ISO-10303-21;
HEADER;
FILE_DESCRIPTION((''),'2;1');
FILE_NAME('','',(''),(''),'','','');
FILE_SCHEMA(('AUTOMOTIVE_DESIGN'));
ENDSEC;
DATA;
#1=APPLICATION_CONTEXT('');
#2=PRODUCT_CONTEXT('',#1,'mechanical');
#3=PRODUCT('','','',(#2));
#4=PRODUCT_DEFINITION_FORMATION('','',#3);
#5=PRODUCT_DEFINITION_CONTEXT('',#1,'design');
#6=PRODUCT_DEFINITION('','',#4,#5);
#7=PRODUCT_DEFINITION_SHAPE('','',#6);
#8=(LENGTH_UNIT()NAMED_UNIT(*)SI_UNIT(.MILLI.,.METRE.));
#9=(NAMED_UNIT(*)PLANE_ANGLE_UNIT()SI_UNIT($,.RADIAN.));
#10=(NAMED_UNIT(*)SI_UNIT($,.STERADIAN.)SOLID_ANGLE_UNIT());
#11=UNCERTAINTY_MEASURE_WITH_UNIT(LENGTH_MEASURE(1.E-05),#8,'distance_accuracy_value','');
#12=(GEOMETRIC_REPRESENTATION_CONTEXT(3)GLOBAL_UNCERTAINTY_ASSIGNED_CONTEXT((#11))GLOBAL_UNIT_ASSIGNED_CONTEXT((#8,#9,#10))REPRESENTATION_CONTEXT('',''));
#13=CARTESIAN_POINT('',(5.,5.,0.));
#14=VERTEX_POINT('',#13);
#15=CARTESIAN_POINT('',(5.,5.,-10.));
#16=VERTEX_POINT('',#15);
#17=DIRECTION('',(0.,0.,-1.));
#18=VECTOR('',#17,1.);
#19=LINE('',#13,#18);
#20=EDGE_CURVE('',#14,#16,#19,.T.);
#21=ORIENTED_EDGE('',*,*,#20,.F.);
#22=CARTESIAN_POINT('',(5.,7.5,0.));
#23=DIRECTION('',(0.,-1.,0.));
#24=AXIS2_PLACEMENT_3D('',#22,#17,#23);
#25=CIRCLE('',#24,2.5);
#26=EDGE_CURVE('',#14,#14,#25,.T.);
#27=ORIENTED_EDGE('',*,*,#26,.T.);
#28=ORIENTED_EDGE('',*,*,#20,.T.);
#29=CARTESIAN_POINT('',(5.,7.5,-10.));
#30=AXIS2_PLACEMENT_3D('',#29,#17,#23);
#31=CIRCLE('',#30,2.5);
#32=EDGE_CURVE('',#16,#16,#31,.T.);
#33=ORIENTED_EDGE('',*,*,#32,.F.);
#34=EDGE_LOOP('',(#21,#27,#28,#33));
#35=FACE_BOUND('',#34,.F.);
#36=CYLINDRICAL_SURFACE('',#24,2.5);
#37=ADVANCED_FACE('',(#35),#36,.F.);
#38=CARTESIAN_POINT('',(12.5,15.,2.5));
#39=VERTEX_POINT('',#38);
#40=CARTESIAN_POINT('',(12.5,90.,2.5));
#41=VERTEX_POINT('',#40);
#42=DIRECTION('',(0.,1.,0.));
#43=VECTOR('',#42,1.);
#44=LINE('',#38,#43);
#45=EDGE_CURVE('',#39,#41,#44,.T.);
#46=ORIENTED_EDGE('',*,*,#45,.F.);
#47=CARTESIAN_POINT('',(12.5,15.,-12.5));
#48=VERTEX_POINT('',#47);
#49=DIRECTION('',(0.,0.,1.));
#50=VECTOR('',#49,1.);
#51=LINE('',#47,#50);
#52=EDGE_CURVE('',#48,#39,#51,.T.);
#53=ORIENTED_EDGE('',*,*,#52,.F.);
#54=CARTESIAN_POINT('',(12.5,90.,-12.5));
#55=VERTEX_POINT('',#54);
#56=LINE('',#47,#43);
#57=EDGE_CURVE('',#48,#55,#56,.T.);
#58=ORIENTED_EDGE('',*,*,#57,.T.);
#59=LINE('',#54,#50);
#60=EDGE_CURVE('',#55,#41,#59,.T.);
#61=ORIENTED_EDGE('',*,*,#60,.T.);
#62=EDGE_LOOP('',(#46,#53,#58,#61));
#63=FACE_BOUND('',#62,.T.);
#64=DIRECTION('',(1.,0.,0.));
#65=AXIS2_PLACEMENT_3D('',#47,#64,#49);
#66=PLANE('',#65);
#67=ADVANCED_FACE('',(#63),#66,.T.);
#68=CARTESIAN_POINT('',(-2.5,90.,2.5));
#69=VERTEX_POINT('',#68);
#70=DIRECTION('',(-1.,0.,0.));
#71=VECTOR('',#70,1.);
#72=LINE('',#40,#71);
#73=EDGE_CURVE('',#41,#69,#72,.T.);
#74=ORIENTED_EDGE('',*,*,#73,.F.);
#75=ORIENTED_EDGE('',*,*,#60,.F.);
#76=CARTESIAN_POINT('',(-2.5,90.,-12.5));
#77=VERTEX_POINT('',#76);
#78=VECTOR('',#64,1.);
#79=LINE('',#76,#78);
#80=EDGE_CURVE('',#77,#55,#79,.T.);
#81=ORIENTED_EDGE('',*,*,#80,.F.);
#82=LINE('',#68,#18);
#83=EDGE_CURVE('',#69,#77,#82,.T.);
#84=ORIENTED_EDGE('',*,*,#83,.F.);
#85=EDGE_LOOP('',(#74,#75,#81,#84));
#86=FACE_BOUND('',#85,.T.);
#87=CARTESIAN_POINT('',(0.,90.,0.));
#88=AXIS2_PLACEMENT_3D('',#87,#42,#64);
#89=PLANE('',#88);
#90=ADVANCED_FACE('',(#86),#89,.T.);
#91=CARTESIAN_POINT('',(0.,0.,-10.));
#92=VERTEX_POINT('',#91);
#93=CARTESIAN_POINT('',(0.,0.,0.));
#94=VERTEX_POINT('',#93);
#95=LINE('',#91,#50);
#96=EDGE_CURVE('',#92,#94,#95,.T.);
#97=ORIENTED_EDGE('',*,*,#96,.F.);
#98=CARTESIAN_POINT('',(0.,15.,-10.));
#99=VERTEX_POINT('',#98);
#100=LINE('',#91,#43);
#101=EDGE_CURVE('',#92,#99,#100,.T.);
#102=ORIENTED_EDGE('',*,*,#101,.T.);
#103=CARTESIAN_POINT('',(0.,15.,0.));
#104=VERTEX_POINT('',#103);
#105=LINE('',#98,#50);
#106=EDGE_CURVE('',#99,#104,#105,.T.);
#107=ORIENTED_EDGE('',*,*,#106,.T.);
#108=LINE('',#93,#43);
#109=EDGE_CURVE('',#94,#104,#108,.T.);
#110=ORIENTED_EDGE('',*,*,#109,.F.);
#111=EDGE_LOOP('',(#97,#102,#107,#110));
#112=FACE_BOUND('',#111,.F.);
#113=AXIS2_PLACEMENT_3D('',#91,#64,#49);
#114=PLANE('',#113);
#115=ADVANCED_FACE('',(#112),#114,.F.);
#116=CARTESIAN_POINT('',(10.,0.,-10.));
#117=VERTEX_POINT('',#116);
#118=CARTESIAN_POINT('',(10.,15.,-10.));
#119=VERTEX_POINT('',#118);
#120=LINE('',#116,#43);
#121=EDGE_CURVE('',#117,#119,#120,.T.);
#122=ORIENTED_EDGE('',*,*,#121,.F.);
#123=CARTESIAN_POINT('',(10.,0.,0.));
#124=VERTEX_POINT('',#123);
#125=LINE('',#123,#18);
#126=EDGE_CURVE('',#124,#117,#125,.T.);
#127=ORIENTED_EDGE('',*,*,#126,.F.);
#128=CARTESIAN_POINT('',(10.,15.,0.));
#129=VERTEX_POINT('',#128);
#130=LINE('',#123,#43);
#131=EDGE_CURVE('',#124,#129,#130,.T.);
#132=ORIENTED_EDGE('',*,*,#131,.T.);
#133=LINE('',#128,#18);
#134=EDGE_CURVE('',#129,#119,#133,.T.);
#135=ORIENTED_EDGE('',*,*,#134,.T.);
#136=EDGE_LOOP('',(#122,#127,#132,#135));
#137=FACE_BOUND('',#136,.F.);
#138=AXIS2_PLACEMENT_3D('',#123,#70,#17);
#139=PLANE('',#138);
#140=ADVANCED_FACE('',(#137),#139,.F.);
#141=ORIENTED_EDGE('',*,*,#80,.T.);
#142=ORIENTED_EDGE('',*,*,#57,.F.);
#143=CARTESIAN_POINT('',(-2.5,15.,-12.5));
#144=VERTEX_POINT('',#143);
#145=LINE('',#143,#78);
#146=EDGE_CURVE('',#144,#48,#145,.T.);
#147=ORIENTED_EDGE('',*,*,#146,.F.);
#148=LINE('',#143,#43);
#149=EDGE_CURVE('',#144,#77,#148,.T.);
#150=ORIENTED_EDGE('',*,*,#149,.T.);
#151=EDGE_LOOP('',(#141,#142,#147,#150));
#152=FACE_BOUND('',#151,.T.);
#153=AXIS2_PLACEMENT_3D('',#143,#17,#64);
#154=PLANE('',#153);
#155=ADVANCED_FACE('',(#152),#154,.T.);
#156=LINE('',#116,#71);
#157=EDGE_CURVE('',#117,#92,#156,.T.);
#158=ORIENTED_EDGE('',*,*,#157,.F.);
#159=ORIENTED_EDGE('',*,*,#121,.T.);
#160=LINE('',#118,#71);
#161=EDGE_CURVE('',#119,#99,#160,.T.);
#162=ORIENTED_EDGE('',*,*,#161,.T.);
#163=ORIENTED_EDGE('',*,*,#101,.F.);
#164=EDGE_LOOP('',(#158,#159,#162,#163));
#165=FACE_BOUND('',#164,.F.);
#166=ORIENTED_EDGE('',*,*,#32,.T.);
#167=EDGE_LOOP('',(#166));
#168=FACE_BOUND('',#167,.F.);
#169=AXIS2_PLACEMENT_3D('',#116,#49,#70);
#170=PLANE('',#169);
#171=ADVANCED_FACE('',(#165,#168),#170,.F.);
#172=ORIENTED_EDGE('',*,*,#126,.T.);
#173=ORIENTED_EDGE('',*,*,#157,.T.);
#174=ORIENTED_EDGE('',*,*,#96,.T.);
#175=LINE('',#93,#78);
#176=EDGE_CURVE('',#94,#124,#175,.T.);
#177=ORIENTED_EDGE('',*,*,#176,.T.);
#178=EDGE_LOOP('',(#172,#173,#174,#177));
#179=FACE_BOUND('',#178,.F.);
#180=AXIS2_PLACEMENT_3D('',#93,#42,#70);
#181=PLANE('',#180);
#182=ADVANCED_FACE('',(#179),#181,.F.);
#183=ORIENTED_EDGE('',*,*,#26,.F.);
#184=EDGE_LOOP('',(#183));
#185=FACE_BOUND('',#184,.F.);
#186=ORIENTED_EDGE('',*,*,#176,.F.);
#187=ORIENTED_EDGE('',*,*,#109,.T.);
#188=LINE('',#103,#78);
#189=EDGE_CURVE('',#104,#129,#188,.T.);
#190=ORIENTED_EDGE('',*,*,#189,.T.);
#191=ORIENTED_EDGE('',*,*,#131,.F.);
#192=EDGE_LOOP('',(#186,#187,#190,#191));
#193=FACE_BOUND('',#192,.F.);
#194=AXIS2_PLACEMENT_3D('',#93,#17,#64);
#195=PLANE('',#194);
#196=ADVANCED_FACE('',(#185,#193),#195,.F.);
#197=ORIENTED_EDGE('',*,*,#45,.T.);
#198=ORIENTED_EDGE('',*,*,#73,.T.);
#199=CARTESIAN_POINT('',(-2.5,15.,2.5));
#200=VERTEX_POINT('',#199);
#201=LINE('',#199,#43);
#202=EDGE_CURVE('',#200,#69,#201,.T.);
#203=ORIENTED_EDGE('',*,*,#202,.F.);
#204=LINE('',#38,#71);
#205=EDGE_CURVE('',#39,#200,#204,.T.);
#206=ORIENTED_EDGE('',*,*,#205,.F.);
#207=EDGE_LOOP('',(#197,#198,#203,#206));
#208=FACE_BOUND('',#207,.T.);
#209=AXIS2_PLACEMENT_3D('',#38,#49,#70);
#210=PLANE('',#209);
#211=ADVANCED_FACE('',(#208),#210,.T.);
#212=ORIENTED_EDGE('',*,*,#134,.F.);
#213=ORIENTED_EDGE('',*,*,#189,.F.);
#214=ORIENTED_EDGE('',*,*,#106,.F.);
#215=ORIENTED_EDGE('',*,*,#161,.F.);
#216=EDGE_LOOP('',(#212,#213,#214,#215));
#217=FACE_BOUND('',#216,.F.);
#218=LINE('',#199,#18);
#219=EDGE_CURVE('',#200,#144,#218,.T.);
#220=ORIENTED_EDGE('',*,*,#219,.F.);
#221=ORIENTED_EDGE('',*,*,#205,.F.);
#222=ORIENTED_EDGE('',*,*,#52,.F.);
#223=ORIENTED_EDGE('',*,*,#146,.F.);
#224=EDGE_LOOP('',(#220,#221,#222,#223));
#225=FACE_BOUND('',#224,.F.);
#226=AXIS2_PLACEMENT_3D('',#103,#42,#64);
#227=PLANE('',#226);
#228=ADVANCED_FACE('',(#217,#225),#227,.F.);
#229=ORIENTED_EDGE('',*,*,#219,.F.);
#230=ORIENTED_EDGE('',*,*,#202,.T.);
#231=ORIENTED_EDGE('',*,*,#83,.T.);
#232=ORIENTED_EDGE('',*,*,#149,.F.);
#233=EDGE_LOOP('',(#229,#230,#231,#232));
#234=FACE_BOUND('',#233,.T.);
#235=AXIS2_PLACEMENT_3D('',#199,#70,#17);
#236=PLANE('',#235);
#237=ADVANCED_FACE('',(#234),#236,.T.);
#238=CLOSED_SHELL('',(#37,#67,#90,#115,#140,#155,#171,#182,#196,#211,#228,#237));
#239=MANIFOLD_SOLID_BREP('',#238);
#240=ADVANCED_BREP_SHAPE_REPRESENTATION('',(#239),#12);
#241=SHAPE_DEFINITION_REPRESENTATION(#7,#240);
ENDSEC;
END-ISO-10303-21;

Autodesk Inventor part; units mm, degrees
ref_plane "YZ Plane" through (0, 0, 0) normal (1, 0, 0) x (0, 1, 0)
ref_plane "XZ Plane" through (0, 0, 0) normal (0, 1, 0) x (-1, 0, 0)
ref_plane "XY Plane" through (0, 0, 0) normal (0, 0, 1) x (1, 0, 0)
sketch "Sketch1" plane through (0, 0, 0) normal (0, 1, 0) x (-1, 0, 0)
  line L0 (0, 0) -> (-10, 0)
  line L1 (-10, 0) -> (-10, -10)
  line L2 (-10, -10) -> (0, -10)
  line L3 (0, -10) -> (0, 0)
  dimension "d0" = 10
  dimension "d1" = 10
extrude "Extrusion1" add sketch "Sketch1" along normal blind 15
sketch "Sketch2" plane through (0, 15, 0) normal (0, 1, 0) x (1, 0, 0)
  line L0 (12.5, -2.5) -> (-2.5, -2.5)
  line L1 (-2.5, -2.5) -> (-2.5, 12.5)
  line L2 (-2.5, 12.5) -> (12.5, 12.5)
  line L3 (12.5, 12.5) -> (12.5, -2.5)
  line L4 (12.5, -2.5) -> (-2.5, 12.5) construction
  line L5 (-2.5, -2.5) -> (12.5, 12.5) construction
  point P0 (0, 0)
  point P1 (5, 5)
  dimension "d4" = 15
  dimension "d5" = 15
extrude "Extrusion2" add sketch "Sketch2" along normal blind 75
sketch "Sketch3" plane through (0, 0, 0) normal (0, 0, 1) x (1, 0, 0)
  line L0 (0, 0) -> (0, 15) projected
  line L1 (0, 7.5) -> (10, 7.5)
  line L2 (10, 0) -> (10, 15) projected
  line L3 (-2.5, 15) -> (12.5, 15) projected
  line L4 (5, 15) -> (5, 0)
  line L5 (0, 0) -> (10, 0) projected
  point P0 (5, 7.5)
hole "Hole1" at (5, 7.5, 0) direction (0, 0, -1) diameter 5 end through all
properties part number "Pendulum"
